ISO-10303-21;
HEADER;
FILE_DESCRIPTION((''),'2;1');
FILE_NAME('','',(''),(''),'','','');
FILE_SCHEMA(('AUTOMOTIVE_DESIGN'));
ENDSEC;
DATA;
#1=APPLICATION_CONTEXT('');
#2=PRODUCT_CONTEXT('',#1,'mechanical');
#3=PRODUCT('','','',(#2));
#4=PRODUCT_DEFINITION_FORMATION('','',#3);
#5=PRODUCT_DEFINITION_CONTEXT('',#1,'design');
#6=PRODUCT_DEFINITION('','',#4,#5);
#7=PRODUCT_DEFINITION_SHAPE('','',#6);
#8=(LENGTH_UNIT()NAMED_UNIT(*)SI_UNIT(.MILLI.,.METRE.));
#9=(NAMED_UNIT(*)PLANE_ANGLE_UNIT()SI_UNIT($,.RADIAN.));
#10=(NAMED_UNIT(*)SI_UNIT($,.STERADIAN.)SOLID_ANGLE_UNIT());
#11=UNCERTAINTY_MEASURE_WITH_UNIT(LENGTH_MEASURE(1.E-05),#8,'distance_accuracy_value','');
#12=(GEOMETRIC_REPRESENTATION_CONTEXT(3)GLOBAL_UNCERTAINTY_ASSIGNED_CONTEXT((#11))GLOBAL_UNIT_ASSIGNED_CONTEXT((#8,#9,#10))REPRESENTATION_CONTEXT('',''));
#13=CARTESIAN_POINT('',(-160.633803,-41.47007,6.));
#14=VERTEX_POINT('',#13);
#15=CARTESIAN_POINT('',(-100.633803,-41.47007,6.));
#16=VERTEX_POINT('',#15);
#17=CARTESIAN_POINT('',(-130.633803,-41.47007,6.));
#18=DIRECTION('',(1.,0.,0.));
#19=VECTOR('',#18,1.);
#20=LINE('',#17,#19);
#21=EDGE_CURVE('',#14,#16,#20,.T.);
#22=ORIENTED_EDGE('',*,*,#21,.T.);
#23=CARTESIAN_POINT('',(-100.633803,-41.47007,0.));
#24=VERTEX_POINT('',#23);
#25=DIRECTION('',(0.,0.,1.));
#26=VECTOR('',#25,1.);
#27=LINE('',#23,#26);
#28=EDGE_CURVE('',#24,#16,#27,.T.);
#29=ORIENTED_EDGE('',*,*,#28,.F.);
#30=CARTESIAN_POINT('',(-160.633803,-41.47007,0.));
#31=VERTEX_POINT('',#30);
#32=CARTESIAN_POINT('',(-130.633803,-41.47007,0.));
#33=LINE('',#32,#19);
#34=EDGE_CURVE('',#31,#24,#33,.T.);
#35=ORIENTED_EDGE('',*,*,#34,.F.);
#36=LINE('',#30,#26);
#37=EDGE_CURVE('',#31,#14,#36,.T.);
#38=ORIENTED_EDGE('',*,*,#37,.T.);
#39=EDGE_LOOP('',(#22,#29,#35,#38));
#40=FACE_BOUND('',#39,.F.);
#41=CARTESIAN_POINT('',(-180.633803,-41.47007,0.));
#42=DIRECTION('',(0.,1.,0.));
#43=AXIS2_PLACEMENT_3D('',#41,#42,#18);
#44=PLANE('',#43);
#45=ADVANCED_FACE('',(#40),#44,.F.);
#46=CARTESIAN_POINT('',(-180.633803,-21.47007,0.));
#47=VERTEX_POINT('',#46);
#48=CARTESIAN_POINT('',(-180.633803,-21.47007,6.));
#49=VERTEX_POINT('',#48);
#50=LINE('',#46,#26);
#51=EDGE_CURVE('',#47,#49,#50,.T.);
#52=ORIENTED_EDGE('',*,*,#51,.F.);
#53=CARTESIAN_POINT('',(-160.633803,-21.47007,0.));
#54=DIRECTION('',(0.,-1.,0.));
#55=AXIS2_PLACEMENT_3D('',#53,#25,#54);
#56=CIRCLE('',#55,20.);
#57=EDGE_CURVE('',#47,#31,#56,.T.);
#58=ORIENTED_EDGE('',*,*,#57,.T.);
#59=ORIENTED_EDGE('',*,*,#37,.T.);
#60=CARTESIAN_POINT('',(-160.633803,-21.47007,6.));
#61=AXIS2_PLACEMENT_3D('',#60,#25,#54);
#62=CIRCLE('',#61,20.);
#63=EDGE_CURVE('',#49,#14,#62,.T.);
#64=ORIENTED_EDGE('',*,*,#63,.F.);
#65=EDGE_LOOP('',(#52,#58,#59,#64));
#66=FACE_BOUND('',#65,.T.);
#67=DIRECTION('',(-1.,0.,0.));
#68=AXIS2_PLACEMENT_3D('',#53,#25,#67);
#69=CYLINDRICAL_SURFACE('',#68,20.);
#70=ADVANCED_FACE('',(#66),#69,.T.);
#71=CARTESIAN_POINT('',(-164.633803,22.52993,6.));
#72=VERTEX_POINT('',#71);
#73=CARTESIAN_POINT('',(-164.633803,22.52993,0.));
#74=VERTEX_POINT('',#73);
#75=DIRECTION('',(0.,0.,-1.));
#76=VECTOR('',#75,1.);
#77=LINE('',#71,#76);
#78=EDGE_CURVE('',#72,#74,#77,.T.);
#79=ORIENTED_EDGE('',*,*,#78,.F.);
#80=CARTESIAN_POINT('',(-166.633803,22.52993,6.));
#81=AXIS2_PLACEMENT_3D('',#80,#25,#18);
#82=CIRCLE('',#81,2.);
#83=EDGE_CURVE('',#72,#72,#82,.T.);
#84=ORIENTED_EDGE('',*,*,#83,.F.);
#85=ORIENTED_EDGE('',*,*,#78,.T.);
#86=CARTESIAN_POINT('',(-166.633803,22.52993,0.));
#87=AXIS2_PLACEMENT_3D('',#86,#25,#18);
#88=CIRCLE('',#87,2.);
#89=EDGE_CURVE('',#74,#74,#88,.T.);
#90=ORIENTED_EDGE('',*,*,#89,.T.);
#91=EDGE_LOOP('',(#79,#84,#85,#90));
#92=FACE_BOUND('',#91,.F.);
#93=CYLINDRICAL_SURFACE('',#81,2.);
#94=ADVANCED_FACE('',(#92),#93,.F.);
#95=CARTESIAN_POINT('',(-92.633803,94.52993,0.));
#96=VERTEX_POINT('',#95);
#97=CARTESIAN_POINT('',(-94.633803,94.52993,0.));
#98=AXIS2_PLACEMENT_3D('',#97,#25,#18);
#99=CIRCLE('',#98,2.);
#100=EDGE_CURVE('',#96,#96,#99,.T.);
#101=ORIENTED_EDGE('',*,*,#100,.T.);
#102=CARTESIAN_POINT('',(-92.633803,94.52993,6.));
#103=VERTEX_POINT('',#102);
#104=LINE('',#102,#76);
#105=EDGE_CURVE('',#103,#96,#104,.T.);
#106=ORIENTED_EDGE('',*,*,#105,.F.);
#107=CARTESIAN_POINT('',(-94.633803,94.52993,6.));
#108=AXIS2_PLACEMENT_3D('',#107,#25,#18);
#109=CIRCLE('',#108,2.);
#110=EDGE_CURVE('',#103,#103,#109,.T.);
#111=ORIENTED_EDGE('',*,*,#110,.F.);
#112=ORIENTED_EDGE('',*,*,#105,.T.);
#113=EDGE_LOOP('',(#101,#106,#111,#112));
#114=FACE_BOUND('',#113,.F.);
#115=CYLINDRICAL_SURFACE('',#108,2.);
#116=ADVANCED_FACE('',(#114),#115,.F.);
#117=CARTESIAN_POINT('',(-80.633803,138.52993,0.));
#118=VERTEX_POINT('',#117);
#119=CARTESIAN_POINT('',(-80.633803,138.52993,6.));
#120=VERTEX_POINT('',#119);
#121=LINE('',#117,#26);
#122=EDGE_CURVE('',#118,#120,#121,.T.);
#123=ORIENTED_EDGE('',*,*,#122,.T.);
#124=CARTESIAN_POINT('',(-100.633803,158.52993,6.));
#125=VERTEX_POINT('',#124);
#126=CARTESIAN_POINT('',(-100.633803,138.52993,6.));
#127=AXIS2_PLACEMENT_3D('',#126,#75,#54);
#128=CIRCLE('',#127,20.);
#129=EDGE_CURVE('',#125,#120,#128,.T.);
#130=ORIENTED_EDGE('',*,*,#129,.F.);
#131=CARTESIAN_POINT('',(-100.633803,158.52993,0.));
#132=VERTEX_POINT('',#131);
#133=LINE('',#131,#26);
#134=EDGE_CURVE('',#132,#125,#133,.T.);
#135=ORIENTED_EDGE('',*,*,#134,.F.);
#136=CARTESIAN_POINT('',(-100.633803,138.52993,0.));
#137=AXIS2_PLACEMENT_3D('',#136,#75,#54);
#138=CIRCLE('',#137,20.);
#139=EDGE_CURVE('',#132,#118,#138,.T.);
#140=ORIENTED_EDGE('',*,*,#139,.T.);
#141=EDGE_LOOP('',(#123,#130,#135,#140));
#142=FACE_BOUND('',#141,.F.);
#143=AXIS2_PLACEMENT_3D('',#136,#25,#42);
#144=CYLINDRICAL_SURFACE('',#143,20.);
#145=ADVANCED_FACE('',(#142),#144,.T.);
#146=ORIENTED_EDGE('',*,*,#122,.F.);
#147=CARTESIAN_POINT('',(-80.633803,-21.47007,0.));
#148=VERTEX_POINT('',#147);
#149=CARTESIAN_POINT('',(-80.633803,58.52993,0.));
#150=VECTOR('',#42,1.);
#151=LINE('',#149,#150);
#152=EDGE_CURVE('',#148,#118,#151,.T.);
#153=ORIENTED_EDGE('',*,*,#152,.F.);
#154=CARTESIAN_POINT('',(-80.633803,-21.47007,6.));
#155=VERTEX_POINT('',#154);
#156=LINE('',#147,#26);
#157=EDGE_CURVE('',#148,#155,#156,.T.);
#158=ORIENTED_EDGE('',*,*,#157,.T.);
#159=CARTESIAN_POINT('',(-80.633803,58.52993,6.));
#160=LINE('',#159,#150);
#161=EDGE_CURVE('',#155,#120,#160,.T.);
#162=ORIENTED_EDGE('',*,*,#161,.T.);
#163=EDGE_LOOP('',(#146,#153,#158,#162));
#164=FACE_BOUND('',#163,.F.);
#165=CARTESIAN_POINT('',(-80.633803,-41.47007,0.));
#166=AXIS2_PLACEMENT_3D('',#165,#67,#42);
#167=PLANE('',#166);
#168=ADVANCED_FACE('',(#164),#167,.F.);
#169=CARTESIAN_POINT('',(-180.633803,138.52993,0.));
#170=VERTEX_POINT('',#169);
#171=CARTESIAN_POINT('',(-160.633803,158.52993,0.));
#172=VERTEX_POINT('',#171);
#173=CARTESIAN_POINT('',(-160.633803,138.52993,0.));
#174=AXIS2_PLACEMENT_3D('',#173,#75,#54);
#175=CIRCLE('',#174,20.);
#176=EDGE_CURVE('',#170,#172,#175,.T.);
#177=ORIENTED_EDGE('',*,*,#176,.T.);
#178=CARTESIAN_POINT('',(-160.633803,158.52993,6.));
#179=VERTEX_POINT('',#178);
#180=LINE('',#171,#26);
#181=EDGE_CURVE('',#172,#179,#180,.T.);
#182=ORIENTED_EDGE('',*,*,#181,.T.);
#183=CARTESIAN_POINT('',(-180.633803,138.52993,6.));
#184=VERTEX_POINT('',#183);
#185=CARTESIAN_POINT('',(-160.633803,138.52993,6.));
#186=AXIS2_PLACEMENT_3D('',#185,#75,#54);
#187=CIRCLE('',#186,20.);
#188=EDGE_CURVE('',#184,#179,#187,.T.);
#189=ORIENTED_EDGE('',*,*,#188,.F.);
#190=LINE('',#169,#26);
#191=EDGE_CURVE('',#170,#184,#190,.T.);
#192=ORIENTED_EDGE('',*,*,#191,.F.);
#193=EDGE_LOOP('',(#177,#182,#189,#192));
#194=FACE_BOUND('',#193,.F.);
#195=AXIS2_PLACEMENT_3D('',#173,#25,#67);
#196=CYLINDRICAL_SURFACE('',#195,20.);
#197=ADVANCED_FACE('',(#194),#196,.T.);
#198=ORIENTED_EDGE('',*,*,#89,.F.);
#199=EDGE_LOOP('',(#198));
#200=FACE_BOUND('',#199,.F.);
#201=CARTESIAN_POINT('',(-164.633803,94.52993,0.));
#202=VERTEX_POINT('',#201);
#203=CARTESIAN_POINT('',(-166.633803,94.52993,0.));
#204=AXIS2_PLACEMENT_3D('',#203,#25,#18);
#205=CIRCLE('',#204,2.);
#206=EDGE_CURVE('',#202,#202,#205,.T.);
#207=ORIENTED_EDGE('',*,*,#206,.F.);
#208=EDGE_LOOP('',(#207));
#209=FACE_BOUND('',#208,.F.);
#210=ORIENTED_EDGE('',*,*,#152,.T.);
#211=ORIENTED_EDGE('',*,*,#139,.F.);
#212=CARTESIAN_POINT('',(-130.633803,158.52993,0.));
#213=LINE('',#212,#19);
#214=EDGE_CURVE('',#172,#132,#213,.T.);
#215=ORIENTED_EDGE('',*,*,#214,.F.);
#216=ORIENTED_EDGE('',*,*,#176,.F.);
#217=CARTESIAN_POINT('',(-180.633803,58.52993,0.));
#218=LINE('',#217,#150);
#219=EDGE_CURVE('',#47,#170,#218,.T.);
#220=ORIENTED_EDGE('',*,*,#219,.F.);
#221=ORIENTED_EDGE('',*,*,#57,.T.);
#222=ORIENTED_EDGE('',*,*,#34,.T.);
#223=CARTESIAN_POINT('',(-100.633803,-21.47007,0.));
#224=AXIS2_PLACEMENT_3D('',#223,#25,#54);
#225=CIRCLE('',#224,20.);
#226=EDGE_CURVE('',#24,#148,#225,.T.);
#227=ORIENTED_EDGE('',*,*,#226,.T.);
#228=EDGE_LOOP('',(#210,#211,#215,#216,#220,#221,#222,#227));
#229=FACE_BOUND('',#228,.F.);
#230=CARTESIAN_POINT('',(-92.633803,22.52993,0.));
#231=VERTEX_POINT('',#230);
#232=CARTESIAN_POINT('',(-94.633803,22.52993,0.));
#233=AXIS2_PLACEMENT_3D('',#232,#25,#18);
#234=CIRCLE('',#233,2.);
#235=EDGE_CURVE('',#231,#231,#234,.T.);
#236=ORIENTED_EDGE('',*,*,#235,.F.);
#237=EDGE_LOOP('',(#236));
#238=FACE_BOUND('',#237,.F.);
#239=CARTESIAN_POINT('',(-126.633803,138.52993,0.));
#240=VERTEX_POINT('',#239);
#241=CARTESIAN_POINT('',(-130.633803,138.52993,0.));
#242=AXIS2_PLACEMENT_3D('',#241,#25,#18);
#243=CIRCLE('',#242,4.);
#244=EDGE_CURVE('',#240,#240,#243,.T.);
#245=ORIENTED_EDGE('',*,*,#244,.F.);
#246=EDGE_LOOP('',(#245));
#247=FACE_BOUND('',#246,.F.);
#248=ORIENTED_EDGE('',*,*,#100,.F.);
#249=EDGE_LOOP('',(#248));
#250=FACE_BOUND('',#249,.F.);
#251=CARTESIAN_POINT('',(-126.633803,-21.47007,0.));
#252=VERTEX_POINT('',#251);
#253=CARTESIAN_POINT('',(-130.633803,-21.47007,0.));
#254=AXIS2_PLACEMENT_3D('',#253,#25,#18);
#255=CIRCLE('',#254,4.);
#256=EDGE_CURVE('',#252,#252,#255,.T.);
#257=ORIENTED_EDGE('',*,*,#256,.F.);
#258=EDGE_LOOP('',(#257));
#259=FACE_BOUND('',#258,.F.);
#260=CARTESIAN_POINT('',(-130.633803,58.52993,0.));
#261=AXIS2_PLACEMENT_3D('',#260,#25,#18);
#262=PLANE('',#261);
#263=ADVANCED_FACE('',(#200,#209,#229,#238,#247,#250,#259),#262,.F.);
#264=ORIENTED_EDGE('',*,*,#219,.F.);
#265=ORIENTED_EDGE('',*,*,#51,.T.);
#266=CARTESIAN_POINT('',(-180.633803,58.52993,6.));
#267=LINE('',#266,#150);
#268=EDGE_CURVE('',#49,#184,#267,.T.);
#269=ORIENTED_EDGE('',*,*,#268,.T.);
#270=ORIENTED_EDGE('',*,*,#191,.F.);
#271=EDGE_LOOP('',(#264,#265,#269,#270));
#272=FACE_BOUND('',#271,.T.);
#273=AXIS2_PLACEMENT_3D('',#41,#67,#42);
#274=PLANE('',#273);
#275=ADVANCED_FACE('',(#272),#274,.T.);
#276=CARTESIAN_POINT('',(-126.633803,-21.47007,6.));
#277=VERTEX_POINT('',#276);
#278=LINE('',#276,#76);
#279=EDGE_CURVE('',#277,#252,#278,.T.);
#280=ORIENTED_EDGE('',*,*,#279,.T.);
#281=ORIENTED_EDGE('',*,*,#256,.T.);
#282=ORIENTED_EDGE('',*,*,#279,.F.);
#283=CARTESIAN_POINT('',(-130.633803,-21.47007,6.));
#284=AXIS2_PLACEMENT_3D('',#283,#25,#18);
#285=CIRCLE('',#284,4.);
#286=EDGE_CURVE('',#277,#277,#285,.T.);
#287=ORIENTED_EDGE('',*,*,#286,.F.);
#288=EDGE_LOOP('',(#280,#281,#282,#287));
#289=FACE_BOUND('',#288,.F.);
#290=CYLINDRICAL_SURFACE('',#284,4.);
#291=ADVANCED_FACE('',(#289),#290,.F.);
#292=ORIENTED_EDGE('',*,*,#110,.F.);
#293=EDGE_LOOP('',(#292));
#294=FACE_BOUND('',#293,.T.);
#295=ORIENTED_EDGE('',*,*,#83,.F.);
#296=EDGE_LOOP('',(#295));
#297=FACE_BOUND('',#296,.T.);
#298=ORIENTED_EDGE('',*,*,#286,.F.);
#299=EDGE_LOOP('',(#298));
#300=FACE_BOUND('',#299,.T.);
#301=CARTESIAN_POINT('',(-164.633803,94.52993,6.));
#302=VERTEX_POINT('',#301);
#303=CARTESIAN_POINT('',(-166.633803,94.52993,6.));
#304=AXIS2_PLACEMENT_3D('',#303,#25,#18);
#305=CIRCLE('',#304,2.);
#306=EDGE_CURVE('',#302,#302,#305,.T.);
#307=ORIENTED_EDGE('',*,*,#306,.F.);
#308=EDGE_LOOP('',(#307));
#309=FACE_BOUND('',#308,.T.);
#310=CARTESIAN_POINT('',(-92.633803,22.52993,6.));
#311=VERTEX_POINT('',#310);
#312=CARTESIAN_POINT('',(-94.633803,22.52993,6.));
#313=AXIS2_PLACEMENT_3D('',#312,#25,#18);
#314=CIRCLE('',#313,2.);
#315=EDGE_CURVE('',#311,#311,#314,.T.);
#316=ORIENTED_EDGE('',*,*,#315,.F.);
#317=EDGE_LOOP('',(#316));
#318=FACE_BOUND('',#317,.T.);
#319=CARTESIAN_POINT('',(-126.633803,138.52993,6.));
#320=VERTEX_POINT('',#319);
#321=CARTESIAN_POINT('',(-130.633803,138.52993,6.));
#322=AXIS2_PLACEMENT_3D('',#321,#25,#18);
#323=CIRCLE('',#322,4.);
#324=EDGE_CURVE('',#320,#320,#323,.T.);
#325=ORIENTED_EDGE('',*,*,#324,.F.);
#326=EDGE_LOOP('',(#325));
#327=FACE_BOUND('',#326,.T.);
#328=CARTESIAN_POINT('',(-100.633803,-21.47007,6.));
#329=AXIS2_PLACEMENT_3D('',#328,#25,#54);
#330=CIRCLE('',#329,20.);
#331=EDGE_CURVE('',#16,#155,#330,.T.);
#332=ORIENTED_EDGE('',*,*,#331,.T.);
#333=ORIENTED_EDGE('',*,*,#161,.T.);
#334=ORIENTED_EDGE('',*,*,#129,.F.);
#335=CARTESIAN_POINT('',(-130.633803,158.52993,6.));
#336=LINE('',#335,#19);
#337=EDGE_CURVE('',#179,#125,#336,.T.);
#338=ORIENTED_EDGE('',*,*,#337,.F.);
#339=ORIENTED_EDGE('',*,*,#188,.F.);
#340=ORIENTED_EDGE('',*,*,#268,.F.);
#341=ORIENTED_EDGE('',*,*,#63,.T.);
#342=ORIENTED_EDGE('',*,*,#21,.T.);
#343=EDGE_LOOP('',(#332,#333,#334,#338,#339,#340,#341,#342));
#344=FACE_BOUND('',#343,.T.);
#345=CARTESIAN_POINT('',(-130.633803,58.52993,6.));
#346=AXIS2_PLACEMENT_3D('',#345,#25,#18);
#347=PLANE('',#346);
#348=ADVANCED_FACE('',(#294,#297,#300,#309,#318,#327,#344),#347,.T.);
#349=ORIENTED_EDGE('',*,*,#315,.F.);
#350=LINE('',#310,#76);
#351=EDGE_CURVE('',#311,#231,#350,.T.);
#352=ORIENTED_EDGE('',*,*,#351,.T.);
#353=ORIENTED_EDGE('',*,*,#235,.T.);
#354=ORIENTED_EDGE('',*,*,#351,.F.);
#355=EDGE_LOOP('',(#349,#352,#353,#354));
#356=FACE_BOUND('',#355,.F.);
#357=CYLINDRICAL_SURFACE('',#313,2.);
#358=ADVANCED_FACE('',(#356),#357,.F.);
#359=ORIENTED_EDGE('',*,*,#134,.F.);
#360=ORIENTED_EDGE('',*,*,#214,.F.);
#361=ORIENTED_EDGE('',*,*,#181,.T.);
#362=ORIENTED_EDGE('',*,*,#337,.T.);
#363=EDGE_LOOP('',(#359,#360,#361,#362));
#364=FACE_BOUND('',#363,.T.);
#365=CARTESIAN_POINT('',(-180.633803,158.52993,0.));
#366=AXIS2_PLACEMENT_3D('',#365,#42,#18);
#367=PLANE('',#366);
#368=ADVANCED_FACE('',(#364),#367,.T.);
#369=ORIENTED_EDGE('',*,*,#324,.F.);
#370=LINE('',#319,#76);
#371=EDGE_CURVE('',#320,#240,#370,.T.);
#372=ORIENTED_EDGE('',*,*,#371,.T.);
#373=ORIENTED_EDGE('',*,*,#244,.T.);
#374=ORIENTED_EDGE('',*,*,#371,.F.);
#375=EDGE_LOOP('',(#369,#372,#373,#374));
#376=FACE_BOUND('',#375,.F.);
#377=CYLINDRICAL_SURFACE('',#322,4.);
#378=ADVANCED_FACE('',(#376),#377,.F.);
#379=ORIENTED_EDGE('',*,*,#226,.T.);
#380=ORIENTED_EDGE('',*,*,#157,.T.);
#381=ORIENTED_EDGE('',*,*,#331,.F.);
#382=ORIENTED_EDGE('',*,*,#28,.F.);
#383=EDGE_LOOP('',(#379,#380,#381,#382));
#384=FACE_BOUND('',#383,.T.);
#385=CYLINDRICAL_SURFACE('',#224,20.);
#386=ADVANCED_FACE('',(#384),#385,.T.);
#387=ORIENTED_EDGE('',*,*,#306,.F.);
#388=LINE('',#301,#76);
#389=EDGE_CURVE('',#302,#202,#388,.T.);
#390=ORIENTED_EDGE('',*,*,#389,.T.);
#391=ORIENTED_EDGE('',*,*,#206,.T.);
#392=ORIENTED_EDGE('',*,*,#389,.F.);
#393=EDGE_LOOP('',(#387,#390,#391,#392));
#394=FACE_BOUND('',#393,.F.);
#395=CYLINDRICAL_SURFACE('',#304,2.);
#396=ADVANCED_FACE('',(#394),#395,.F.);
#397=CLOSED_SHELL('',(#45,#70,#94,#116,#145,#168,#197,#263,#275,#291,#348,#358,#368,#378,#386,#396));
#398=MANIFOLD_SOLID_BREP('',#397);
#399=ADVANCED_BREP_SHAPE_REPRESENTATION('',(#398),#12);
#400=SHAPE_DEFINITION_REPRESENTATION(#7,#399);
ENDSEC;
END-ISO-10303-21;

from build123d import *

# Parameters (mm, degrees)
ESQUISSE1_W             = 100
ESQUISSE1_H             = 200
BOSS_EXTRU_1_DEPTH      = 6
ESQUISSE2_R             = 2
ESQUISSE2_R_2           = 4
ENL_V_MAT_EXTRU_1_DEPTH = 6
CONG_1_R                = 20


with BuildPart() as part:
    # Esquisse1 → Boss.-Extru.1 (new body)
    with BuildSketch(Plane.XY):
        with Locations((-130.633802817, 58.529929577)):
            Rectangle(ESQUISSE1_W, ESQUISSE1_H)
    extrude(amount=BOSS_EXTRU_1_DEPTH)

    # Esquisse2 → Enlèv. mat.-Extru.1 (cut)
    with BuildSketch(Plane.XY.offset(6)):
        with Locations((-166.633802817, 94.529929577)):
            Circle(ESQUISSE2_R)
        with Locations((-166.633802817, 22.529929577)):
            Circle(ESQUISSE2_R)
        with Locations((-94.633802817, 22.529929577)):
            Circle(ESQUISSE2_R)
        with Locations((-94.633802817, 94.529929577)):
            Circle(ESQUISSE2_R)
        with Locations((-130.633802817, 138.529929577)):
            Circle(ESQUISSE2_R_2)
        with Locations((-130.633802817, -21.470070423)):
            Circle(ESQUISSE2_R_2)
    extrude(amount=-ENL_V_MAT_EXTRU_1_DEPTH, mode=Mode.SUBTRACT)

    # Congé1
    cong_1_edges = [part.edges().sort_by_distance(p)[0] for p in [
        (-180.633802817, 158.529929577, 3),
        (-80.633802817, 158.529929577, 3),
        (-80.633802817, -41.470070423, 3),
        (-180.633802817, -41.470070423, 3),
    ]]
    fillet(cong_1_edges, radius=CONG_1_R)


solid = part.part
